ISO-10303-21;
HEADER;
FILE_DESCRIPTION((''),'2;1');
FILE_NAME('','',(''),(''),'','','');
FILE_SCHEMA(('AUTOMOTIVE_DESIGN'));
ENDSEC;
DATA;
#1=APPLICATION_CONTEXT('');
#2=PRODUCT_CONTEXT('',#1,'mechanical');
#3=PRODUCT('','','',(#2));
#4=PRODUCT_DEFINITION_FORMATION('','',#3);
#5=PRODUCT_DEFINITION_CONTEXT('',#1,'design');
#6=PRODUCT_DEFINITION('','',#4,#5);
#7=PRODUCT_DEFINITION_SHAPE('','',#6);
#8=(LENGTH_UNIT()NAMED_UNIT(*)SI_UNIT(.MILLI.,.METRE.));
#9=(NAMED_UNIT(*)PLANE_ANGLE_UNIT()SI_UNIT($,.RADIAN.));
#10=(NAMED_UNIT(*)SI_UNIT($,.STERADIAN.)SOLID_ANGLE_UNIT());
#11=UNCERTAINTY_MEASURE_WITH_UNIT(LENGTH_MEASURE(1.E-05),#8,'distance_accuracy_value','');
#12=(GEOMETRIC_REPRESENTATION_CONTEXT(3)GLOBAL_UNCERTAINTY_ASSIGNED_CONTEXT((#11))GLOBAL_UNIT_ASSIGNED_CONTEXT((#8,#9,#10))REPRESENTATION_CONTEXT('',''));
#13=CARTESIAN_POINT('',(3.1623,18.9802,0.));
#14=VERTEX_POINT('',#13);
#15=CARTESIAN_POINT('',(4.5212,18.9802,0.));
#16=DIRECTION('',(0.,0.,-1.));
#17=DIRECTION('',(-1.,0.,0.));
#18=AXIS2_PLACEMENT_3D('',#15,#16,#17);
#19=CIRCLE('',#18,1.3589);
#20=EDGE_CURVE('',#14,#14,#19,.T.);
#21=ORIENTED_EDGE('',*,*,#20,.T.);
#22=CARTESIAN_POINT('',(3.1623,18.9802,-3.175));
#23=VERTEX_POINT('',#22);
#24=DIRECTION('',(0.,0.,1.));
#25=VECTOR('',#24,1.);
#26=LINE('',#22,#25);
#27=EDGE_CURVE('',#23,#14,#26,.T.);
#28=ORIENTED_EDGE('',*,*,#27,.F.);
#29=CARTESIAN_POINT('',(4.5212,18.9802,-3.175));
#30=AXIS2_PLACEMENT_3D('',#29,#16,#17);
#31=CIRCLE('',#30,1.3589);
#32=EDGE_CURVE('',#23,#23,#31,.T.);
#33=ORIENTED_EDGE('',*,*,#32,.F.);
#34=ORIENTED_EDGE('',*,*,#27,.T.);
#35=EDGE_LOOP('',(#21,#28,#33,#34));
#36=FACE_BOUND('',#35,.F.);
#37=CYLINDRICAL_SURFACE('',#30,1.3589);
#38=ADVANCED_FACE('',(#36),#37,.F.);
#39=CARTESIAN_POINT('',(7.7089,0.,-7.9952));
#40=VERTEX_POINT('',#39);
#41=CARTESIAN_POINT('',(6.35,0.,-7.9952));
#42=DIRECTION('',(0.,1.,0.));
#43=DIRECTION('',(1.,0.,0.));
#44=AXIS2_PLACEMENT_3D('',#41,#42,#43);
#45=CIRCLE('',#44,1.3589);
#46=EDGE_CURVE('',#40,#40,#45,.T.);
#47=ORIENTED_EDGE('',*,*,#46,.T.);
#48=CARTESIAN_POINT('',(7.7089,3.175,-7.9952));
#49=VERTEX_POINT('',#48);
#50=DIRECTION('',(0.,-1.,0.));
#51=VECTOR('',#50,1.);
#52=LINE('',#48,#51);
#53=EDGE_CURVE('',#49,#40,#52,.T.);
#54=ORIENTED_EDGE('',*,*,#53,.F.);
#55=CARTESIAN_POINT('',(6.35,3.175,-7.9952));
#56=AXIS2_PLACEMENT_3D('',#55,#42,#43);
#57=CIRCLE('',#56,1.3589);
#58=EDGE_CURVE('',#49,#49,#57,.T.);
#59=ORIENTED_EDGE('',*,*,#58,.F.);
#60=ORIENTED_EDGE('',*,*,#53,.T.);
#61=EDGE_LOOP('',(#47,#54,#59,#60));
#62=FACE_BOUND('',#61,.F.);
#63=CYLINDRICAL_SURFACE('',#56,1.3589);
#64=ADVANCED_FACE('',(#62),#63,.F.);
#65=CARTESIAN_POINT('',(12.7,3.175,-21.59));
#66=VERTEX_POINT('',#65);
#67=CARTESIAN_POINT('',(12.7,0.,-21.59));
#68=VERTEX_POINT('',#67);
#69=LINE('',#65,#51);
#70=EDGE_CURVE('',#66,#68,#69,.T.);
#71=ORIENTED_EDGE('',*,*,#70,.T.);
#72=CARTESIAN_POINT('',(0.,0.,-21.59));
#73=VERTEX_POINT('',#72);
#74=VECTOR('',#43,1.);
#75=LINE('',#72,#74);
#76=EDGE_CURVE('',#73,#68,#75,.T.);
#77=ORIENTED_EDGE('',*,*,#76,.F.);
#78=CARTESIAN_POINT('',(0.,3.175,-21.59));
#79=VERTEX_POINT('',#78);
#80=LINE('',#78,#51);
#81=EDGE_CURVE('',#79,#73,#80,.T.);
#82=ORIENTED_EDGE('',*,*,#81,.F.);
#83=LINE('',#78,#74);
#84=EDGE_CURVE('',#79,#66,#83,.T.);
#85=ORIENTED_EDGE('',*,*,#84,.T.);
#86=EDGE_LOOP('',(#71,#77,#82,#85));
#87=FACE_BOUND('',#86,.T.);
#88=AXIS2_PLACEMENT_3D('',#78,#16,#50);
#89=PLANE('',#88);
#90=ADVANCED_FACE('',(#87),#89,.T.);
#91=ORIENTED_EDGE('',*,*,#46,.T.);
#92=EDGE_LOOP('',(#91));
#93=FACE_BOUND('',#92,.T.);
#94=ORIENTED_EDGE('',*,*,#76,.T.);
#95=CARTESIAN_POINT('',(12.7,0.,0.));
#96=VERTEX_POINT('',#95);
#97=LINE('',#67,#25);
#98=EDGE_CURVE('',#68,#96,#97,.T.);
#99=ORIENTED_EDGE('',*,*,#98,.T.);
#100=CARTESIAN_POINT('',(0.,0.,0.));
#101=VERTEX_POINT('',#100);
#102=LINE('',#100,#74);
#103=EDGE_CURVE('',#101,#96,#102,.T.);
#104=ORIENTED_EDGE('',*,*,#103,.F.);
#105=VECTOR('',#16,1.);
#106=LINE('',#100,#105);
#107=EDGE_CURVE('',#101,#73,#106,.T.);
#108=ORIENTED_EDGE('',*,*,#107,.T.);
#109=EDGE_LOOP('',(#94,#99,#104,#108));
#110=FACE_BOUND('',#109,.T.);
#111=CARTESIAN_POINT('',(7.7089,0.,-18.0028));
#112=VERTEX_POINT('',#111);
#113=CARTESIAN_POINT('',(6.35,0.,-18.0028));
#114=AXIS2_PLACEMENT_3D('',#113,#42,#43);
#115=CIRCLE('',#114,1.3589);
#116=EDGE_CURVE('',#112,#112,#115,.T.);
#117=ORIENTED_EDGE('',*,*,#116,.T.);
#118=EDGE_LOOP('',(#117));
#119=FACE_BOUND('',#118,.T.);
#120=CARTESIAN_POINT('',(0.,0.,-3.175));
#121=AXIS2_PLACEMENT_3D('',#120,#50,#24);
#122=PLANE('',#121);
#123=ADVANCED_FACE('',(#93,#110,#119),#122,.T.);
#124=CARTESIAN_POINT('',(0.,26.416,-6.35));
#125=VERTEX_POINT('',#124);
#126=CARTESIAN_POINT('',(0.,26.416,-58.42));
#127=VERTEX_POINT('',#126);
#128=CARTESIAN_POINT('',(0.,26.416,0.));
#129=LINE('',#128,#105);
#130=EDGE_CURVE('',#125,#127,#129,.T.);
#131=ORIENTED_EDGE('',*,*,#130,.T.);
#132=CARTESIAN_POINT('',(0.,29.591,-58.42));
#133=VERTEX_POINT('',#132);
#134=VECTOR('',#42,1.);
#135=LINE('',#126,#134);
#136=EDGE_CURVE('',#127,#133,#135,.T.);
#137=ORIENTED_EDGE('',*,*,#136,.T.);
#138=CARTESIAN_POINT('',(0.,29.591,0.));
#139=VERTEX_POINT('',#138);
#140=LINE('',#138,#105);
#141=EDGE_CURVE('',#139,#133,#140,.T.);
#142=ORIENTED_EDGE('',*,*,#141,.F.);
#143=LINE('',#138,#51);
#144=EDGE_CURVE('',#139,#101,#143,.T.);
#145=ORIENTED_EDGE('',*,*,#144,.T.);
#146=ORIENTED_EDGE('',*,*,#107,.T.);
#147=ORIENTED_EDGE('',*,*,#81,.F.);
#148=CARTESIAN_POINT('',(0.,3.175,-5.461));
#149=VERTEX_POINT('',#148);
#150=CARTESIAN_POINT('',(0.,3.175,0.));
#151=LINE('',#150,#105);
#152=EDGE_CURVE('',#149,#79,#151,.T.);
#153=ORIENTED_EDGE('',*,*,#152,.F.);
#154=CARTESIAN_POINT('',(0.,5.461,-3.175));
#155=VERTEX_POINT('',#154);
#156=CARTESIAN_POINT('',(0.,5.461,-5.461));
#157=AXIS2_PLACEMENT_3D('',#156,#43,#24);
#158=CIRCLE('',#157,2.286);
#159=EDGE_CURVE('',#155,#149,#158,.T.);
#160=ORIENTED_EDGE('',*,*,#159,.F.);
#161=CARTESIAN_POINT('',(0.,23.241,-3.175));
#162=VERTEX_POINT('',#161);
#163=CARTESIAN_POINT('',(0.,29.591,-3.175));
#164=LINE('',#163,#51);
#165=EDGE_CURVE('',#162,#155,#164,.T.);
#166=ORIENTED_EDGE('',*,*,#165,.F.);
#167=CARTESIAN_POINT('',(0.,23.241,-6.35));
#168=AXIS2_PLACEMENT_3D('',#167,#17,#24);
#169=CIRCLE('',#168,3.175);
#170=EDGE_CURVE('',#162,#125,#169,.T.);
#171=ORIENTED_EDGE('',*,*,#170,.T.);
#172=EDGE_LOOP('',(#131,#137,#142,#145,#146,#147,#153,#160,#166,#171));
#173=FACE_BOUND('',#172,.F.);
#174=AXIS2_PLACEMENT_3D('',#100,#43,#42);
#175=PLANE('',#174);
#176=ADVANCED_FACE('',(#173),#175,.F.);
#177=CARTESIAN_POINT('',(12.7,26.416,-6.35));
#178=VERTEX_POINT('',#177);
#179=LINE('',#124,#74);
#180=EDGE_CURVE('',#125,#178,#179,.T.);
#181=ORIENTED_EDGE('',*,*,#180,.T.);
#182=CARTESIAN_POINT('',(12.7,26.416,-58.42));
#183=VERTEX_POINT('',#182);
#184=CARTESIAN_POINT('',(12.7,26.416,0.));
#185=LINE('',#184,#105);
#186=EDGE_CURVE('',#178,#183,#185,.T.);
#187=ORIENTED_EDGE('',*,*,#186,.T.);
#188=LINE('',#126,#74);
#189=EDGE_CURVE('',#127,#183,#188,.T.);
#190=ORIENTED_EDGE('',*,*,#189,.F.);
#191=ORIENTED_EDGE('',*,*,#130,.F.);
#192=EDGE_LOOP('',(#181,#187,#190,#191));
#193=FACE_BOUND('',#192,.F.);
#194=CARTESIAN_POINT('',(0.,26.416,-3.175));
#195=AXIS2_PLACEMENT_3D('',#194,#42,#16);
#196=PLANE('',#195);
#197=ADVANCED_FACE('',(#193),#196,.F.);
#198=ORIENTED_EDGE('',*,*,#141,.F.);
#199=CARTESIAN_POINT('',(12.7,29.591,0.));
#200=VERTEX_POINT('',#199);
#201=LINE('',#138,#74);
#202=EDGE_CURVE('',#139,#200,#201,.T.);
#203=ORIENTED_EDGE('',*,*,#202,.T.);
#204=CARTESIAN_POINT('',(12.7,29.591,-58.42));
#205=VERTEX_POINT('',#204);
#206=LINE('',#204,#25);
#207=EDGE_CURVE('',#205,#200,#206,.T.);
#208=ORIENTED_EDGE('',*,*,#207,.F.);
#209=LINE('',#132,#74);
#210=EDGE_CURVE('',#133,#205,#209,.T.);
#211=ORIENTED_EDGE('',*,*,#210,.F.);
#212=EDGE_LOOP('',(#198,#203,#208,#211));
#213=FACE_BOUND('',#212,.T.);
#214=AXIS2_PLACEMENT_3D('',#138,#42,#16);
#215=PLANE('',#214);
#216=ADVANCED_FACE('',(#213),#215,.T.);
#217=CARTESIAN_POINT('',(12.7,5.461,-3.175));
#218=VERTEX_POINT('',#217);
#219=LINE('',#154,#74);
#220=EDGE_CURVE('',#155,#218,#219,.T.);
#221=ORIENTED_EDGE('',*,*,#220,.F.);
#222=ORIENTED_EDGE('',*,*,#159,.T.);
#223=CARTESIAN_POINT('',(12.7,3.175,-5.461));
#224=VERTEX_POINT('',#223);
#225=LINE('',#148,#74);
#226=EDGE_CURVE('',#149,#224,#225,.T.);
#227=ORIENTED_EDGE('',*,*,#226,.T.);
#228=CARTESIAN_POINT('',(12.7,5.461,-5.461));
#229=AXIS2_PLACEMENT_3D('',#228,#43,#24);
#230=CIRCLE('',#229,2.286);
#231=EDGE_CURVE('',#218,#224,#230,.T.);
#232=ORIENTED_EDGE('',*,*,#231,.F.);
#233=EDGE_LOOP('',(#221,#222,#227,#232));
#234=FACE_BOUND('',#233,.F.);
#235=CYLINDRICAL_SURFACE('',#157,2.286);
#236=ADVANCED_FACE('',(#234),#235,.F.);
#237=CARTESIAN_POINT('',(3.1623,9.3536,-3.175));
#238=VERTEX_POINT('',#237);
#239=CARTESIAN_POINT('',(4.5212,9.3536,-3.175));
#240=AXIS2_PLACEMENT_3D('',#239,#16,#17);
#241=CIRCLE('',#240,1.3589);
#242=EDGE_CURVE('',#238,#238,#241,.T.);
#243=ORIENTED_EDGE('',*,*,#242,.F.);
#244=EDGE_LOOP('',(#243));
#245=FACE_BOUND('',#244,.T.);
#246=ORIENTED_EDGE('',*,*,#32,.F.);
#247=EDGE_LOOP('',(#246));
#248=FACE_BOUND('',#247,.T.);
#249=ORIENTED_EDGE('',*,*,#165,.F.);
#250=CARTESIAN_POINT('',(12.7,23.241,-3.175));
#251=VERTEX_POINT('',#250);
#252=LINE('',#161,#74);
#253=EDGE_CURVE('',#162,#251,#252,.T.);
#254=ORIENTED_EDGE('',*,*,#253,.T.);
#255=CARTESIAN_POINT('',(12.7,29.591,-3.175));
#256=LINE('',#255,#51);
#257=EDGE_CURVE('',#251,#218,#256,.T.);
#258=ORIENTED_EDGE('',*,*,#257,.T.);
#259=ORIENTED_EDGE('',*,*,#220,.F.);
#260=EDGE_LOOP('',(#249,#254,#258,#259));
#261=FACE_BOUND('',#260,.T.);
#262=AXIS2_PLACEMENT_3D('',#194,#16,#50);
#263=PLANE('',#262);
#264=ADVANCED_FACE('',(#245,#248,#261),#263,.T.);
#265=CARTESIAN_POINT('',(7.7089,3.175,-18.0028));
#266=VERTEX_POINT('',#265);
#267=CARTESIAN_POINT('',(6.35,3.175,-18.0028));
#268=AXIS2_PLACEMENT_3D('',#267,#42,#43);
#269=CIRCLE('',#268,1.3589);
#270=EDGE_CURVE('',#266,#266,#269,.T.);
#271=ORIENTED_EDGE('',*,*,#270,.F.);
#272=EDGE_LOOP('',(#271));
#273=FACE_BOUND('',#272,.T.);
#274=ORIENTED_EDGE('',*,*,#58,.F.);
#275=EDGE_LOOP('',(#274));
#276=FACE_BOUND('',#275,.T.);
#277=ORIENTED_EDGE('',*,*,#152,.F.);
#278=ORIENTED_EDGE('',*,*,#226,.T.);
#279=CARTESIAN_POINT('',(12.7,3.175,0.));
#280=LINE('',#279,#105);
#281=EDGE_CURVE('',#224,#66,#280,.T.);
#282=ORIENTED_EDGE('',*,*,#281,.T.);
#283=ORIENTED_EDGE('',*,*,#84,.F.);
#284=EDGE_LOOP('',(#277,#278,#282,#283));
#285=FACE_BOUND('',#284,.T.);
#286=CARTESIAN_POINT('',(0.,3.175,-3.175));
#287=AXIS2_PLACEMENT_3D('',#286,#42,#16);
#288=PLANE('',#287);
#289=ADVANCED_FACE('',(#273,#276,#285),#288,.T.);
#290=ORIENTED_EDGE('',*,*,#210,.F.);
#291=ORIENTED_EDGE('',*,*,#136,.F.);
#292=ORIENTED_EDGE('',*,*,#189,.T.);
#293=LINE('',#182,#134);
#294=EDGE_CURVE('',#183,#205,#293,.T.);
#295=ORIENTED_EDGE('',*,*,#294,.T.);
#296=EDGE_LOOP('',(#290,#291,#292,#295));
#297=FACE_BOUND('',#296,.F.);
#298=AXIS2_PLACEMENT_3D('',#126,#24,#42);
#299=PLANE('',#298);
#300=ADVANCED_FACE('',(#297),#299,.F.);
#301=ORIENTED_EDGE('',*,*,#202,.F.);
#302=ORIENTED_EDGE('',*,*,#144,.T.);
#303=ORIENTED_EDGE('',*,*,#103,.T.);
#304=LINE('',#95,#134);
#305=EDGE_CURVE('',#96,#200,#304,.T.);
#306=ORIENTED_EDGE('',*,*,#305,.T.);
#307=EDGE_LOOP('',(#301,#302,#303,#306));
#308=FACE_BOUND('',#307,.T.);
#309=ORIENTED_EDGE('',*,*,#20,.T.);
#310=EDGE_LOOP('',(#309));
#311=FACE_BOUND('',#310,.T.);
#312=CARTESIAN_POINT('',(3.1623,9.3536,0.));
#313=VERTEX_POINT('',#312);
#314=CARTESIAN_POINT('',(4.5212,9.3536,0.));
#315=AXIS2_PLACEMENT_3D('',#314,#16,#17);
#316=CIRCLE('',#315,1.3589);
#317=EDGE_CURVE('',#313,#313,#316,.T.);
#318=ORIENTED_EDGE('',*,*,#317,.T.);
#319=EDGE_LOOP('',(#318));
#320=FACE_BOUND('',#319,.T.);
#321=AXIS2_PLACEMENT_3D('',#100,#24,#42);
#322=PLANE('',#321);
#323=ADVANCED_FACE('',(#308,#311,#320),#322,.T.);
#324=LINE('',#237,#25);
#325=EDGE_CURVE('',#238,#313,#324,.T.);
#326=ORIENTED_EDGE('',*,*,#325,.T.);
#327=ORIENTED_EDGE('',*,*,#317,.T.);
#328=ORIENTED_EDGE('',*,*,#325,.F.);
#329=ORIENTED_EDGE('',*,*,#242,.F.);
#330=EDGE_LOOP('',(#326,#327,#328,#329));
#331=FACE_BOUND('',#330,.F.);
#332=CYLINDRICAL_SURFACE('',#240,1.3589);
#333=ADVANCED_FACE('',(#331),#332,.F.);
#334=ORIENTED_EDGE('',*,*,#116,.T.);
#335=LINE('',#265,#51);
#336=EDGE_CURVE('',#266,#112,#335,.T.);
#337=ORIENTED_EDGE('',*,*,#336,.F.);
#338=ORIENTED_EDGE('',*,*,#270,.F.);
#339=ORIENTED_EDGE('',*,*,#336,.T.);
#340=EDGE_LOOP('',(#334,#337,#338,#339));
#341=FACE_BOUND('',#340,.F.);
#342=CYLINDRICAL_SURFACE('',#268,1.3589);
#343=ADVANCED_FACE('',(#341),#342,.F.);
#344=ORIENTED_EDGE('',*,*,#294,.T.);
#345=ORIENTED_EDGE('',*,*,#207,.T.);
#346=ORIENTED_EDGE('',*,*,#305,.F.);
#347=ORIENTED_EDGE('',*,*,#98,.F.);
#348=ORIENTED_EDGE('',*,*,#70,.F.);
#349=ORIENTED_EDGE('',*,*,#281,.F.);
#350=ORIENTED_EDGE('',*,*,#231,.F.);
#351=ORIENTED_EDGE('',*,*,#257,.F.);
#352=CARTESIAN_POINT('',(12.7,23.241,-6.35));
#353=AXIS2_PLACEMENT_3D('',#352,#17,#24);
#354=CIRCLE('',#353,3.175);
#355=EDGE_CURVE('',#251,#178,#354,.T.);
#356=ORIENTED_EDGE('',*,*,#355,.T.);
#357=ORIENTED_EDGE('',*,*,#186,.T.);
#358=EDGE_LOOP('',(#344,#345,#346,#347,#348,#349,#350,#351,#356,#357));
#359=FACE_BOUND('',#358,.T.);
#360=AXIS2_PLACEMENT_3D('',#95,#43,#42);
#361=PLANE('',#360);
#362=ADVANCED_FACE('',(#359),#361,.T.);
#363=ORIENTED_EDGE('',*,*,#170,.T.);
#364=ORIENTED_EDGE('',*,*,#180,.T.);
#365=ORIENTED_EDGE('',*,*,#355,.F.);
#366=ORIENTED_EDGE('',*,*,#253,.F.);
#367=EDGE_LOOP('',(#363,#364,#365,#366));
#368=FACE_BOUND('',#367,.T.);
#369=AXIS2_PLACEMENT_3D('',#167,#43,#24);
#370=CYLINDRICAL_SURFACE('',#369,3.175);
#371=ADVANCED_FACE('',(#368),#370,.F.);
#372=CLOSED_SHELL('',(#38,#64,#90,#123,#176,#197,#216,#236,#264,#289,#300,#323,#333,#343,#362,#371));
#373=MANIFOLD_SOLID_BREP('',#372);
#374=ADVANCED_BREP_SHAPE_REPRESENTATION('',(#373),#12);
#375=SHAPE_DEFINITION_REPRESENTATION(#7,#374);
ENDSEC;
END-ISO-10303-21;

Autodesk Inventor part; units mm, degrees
ref_plane "YZ Plane" through (0, 0, 0) normal (1, 0, 0) x (0, 1, 0)
ref_plane "XZ Plane" through (0, 0, 0) normal (0, 1, 0) x (-1, 0, 0)
ref_plane "XY Plane" through (0, 0, 0) normal (0, 0, 1) x (1, 0, 0)
sketch "Sketch1" plane through (0, 0, 0) normal (1, 0, 0) x (0, 1, 0)
  line L0 (0, 0) -> (3.175, 0)
  line L1 (3.175, 0) -> (3.175, -21.59)
  line L2 (3.175, -21.59) -> (0, -21.59)
  line L3 (0, -21.59) -> (0, 0)
  line L4 (0, 0) -> (29.591, 0)
  line L5 (29.591, 0) -> (29.591, -3.175)
  line L6 (29.591, -3.175) -> (0, -3.175)
  line L7 (0, -3.175) -> (0, 0)
  line L8 (29.591, 0) -> (26.416, 0)
  line L9 (26.416, 0) -> (26.416, -58.42)
  line L10 (26.416, -58.42) -> (29.591, -58.42)
  line L11 (29.591, -58.42) -> (29.591, 0)
  dimension "d0" = 3.175
  dimension "d1" = 21.59
  dimension "d4" = 3.175
  dimension "d5" = 29.591
  dimension "d6" = 3.175
  dimension "d7" = 58.42
extrude "Extrusion1" add sketch "Sketch1" along normal blind 12.7
sketch "Sketch2" plane through (0, 3.175, -3.175) normal (0, 0, -1) x (-1, 0, 0)
  circle A0 centre (-4.5212, 15.8052) radius 1.3589
  circle A1 centre (-4.5212, 6.1786) radius 1.3589
  line L0 (-12.7, 0) -> (-12.7, 23.241) projected
  point P0 (0, -3.175)
  dimension "d8" = 2.7178
  dimension "d9" = 2.7178
  dimension "d10" = 8.1788
  dimension "d11" = 8.1788
  dimension "d12" = 9.6266
extrude "Extrusion2" cut sketch "Sketch2" against normal blind 25.4
sketch "Sketch3" plane through (0, 3.175, -3.175) normal (0, 1, 0) x (1, 0, 0)
  circle A0 centre (6.35, 4.8202) radius 1.3589
  circle A1 centre (6.35, 14.8278) radius 1.3589
  line L0 (0, 18.415) -> (0, 0) projected
  point P0 (0, -3.175)
  dimension "d15" = 2.7178
  dimension "d16" = 2.7178
  dimension "d17" = 6.35
  dimension "d18" = 6.35
  dimension "d23" = 10.0076
extrude "Extrusion3" cut sketch "Sketch3" against normal blind 25.4
fillet "Fillet1" radius 3.175 1 edges at (6.35, 26.416, -3.175)
fillet "Fillet2" radius 2.286 1 edges at (6.35, 3.175, -3.175)
equation "\"d4\" = d0"
equation "\"d6\" = d0"
properties part number "U bracket"
